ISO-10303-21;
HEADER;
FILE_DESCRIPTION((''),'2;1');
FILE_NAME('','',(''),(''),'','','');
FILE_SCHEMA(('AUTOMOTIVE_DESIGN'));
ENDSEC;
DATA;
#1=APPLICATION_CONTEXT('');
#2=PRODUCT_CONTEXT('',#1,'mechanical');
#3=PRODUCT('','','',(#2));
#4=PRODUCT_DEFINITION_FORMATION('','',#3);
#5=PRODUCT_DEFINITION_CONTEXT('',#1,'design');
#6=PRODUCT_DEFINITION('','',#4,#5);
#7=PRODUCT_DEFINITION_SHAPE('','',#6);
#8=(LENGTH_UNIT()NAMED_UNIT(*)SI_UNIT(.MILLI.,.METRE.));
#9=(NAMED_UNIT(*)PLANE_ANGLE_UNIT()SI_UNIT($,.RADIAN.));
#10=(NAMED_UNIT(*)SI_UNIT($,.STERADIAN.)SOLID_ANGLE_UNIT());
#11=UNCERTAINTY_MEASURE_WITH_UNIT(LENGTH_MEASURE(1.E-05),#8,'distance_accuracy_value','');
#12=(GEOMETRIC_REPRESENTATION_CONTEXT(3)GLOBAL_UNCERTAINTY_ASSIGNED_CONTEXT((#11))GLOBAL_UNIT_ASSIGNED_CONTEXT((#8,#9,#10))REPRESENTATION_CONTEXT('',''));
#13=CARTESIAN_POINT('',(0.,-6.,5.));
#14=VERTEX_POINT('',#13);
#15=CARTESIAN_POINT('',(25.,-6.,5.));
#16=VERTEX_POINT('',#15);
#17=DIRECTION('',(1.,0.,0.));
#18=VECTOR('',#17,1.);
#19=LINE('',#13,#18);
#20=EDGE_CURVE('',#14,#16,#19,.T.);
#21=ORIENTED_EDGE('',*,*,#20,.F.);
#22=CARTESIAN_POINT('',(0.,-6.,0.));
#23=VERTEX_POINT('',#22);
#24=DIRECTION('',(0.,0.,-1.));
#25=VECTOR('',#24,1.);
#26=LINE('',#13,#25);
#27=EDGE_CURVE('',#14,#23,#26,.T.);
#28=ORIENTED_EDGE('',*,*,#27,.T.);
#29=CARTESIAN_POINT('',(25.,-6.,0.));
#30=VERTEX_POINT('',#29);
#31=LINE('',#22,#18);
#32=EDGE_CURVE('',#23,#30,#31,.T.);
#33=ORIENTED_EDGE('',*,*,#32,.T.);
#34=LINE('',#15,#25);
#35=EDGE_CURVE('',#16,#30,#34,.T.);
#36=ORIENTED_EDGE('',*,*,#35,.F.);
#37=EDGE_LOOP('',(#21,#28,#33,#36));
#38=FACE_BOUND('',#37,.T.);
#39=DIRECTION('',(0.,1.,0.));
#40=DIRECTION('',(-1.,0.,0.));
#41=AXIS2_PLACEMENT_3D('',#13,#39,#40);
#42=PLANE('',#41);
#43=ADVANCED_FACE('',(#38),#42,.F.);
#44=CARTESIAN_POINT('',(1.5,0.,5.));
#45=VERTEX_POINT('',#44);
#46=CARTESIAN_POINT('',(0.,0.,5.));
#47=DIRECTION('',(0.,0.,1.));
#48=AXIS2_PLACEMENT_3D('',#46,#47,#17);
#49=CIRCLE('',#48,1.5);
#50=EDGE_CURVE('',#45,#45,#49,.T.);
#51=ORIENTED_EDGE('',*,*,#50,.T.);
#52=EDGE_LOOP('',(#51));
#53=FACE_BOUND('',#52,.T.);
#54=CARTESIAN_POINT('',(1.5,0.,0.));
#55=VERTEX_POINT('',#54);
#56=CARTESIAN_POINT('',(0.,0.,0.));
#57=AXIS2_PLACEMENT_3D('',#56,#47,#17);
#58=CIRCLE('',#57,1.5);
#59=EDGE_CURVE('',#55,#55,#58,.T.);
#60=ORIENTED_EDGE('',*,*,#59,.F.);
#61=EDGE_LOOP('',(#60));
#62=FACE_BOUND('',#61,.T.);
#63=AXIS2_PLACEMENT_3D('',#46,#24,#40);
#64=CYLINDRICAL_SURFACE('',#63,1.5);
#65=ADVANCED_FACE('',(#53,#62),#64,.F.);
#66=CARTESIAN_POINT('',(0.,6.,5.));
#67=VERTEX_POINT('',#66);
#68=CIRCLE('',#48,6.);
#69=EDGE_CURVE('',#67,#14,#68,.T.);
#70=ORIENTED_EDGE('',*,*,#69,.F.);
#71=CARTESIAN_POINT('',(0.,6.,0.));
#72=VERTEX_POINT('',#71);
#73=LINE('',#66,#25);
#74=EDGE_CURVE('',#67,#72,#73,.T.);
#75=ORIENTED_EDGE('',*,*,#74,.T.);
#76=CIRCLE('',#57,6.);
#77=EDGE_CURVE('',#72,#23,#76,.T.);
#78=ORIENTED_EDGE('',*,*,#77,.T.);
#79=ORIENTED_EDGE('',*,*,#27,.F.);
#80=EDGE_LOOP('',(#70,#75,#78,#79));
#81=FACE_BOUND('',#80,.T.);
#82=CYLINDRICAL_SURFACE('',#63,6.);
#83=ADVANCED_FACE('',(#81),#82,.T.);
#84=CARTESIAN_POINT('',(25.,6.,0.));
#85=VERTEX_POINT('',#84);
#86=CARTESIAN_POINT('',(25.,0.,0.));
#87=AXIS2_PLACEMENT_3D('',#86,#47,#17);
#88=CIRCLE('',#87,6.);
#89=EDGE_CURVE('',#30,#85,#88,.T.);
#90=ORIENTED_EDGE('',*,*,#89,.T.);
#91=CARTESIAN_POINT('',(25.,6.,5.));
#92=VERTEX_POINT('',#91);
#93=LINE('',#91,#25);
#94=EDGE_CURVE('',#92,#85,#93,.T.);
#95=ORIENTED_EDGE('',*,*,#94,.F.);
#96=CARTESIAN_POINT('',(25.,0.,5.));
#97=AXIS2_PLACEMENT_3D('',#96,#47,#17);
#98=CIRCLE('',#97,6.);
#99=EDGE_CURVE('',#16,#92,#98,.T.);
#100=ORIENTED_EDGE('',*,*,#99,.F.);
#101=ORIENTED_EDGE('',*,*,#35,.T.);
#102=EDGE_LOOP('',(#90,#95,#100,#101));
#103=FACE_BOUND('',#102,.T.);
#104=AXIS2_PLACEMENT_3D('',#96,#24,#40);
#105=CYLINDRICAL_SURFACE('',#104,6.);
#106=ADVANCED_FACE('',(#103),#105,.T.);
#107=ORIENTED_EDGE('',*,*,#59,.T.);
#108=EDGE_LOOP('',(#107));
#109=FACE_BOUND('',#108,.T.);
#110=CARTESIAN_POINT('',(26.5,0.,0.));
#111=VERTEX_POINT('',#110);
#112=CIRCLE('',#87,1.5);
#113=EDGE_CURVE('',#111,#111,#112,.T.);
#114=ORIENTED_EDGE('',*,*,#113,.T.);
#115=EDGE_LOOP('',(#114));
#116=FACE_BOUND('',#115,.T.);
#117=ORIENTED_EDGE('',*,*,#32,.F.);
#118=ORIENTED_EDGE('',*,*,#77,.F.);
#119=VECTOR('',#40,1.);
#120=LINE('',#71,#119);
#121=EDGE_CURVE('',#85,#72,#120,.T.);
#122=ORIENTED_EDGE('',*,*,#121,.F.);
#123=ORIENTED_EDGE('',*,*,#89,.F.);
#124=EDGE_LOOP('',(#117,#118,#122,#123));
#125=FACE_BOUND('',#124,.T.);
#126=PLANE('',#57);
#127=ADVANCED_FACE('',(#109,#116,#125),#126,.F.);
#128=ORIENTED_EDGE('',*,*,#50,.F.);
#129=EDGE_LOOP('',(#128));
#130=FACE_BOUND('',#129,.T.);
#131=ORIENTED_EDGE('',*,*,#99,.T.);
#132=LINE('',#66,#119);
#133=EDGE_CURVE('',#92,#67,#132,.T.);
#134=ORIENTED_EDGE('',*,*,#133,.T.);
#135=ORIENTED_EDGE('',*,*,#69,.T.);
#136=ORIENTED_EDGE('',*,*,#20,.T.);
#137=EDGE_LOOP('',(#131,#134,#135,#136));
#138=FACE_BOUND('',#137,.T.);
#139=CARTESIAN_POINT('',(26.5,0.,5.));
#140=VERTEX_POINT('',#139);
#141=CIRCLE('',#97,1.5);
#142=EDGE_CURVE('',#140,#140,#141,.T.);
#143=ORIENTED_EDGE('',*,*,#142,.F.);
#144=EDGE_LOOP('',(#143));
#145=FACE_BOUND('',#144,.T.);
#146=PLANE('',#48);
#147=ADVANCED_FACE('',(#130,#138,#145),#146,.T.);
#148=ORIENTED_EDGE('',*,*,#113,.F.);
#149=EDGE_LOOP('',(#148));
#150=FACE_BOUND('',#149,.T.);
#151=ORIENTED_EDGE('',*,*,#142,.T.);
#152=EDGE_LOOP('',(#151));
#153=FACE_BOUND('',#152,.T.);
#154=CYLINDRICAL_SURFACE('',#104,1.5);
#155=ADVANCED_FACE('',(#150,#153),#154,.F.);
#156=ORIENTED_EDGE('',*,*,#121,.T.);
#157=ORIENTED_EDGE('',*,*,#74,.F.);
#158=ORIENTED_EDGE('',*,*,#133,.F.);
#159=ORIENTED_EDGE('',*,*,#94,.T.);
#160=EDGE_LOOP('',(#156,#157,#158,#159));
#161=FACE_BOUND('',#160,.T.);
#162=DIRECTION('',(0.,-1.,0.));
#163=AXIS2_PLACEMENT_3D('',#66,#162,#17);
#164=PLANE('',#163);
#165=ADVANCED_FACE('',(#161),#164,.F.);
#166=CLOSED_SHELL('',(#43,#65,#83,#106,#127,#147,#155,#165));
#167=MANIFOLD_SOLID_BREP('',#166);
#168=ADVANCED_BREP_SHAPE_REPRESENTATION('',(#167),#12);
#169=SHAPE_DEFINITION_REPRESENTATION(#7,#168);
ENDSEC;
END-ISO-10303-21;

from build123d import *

# Parameters (mm, degrees)
ESQUISSE1_R        = 1.5
BOSS_EXTRU_1_DEPTH = 5


with BuildPart() as part:
    # Esquisse1 → Boss.-Extru.1 (new body)
    with BuildSketch(Plane.XY):
        with BuildLine():
            Line((0, 6), (25, 6))
            ThreePointArc((25, 6), (31, 0), (25, -6))
            Line((25, -6), (0, -6))
            ThreePointArc((0, -6), (-6, 0), (0, 6))
        make_face()
        with Locations((25, 0)):
            Circle(ESQUISSE1_R, mode=Mode.SUBTRACT)
        Circle(ESQUISSE1_R, mode=Mode.SUBTRACT)
    extrude(amount=BOSS_EXTRU_1_DEPTH)


solid = part.part
